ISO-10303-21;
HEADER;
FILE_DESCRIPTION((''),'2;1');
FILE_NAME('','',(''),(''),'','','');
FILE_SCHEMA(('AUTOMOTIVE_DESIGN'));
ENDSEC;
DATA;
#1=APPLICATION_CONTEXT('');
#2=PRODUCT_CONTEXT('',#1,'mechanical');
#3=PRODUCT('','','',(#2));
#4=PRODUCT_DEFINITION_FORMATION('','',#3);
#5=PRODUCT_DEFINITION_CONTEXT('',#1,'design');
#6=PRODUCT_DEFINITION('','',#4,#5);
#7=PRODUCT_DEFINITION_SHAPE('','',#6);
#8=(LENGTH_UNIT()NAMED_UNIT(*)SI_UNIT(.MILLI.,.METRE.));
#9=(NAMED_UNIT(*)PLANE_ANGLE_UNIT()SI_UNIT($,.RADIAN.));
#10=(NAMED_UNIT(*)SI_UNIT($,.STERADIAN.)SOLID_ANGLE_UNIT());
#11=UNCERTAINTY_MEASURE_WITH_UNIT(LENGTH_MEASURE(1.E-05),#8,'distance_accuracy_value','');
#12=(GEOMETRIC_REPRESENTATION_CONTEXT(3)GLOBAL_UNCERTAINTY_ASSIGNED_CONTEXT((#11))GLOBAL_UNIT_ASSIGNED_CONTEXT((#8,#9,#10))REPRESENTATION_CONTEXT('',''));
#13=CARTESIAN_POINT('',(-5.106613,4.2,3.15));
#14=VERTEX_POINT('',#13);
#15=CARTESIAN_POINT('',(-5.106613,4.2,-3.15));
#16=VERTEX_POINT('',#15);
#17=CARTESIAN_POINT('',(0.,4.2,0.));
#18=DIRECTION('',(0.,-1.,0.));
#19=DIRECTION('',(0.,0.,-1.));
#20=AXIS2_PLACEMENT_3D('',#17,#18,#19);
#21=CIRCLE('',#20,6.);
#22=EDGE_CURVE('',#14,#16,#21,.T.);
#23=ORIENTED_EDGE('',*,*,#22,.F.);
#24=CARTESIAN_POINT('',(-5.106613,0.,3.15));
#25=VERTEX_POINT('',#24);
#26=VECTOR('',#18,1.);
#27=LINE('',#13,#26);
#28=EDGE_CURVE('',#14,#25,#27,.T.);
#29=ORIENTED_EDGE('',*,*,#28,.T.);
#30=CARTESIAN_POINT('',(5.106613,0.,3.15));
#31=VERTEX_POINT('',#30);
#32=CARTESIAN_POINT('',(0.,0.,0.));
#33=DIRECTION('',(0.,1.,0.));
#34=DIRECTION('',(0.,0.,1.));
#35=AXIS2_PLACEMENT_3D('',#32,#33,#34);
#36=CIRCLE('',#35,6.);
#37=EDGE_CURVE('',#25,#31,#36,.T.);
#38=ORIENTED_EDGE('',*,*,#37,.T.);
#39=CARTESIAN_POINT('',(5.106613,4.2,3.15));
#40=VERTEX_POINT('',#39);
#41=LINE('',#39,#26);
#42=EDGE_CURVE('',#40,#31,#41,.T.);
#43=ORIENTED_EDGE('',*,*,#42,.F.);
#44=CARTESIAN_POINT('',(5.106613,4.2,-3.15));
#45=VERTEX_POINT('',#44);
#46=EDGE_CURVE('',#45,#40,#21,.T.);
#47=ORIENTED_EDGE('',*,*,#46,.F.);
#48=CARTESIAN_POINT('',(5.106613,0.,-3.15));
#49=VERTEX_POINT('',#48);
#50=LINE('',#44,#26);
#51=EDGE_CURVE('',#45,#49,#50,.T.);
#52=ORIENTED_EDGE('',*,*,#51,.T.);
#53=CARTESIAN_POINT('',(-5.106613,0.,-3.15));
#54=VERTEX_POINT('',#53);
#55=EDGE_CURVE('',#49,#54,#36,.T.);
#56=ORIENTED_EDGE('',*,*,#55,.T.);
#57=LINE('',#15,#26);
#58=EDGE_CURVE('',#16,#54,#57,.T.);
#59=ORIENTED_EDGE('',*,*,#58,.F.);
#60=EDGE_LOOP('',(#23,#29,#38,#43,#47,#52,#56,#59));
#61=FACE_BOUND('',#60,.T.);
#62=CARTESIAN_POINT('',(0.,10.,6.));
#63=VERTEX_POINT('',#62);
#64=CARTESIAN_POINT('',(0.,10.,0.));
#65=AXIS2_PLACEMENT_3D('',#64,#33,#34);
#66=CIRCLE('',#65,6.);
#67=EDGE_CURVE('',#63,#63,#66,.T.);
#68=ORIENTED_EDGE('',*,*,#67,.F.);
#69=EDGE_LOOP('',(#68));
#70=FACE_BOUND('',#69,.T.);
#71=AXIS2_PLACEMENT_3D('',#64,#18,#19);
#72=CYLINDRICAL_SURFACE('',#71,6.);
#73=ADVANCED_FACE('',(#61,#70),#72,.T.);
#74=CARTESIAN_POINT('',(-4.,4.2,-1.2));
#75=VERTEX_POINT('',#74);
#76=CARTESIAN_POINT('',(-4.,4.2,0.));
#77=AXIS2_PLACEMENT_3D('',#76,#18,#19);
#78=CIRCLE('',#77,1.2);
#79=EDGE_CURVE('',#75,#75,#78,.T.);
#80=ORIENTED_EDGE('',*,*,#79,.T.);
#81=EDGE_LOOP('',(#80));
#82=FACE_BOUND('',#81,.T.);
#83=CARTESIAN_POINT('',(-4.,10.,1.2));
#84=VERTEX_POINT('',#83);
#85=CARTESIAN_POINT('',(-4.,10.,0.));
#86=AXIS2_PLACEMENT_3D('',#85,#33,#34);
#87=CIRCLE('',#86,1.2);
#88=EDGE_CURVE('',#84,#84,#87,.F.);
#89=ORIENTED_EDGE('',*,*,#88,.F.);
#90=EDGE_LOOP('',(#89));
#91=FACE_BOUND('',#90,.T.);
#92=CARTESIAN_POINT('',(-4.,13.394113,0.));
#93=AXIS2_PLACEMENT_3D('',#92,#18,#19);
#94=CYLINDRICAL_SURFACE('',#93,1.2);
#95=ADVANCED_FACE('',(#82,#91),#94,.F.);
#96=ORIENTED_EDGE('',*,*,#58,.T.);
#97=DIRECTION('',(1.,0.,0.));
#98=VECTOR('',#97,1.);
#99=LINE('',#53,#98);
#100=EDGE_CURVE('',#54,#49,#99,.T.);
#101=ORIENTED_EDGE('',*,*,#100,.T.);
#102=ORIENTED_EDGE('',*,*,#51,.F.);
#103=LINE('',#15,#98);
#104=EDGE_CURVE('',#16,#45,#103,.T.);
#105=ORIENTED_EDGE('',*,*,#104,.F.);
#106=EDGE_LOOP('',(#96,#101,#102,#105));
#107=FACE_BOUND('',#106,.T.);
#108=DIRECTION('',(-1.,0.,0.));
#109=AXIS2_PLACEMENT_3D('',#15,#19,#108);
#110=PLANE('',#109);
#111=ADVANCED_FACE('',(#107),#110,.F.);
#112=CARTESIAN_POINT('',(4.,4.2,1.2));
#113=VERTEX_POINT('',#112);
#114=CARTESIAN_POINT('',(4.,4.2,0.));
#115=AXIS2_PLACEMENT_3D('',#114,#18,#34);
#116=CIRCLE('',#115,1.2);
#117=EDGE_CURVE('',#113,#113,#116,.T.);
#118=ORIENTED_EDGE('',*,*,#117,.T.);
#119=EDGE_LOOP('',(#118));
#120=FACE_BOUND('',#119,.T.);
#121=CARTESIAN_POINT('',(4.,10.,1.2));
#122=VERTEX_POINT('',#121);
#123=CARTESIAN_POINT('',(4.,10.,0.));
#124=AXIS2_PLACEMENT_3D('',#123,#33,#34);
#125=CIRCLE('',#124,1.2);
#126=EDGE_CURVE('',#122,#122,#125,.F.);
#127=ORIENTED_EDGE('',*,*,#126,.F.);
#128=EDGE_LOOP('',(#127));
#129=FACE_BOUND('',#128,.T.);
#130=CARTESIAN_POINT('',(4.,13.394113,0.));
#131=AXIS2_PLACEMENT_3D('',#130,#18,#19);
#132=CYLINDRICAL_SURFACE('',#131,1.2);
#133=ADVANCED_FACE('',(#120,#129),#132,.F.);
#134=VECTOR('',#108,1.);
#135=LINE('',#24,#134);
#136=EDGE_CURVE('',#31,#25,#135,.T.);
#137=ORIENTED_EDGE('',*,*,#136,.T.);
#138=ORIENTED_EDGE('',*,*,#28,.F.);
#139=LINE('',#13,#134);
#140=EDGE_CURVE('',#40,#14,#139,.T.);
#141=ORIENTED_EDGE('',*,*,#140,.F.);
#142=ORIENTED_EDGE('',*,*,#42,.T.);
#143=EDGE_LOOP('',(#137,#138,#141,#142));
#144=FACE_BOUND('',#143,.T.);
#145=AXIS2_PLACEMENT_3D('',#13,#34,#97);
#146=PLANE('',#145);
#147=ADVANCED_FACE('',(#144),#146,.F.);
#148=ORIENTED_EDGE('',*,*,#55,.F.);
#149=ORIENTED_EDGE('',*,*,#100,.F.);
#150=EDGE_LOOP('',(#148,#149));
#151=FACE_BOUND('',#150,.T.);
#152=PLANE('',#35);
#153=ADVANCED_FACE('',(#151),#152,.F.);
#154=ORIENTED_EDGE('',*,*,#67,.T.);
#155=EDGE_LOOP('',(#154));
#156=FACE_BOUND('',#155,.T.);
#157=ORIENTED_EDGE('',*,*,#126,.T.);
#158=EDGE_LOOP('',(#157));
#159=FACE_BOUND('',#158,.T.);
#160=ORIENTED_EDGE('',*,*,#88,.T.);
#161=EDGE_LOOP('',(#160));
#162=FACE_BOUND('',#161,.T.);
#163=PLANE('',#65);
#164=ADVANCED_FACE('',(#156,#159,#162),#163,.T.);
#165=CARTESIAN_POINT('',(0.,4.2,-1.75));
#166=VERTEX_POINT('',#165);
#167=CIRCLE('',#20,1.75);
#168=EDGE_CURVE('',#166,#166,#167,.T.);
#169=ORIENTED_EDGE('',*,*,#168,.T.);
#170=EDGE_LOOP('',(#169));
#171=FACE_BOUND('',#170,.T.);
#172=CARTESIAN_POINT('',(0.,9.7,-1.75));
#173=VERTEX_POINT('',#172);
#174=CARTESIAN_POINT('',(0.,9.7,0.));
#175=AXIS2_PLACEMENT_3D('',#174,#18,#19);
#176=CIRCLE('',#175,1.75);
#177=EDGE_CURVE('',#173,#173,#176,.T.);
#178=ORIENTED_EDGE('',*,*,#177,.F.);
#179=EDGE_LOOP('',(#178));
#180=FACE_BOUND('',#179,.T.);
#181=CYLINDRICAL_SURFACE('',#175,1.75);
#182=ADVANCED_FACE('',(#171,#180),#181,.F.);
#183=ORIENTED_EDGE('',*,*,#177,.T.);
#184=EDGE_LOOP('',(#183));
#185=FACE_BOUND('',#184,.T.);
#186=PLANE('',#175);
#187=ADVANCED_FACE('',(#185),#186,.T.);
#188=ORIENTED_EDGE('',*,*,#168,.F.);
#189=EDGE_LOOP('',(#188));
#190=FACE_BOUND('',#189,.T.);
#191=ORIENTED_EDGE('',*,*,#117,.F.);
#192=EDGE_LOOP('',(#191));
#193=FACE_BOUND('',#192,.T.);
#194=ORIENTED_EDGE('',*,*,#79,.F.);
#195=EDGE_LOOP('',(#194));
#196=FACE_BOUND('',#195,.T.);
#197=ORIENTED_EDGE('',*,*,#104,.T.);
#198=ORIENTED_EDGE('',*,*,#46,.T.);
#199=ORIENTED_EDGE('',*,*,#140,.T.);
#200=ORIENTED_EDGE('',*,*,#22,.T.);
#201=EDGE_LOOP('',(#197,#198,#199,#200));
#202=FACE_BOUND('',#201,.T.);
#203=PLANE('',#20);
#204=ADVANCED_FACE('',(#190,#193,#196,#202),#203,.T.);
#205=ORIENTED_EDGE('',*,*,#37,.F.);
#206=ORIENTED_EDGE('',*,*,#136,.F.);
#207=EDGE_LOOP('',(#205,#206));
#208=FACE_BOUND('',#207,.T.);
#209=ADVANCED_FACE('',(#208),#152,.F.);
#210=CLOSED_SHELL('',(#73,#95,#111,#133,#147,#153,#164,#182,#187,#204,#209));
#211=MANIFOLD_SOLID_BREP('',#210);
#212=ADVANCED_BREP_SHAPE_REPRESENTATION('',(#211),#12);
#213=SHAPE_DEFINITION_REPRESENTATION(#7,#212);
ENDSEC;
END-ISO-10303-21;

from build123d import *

# Parameters (mm, degrees)
SKETCH_1_R          = 6
EXTRUDE_1_DEPTH     = 10
CUT_EXTRUDE_1_DEPTH = 4.2
SKETCH_3_R          = 1.75
CUT_EXTRUDE_2_DEPTH = 5.5
SKETCH_4_R          = 1.2
CUT_EXTRUDE_3_DEPTH = 5.8


with BuildPart() as part:
    # Эскиз1 → Бобышка-Вытянуть1 (new body)
    with BuildSketch(Plane(origin=(0, 0, 0), x_dir=(1, 0, 0), z_dir=(0, 1, 0))):
        with Locations(Location((0, 0, 0), (0, 0, 270))):
            Circle(SKETCH_1_R)
    extrude(amount=EXTRUDE_1_DEPTH)

    # Эскиз2 → Вырез-Вытянуть1 (cut)
    with BuildSketch(Plane.XZ):
        with BuildLine():
            Line((-5.106613359, 3.15), (5.106613359, 3.15))
            ThreePointArc((5.106613359, 3.15), (6, 0), (5.106613359, -3.15))
            Line((5.106613359, -3.15), (-5.106613359, -3.15))
            ThreePointArc((-5.106613359, -3.15), (-6, 0), (-5.106613359, 3.15))
        make_face()
    extrude(amount=-CUT_EXTRUDE_1_DEPTH, mode=Mode.SUBTRACT)

    # Эскиз3 → Вырез-Вытянуть2 (cut)
    with BuildSketch(Plane.XZ.offset(-4.2)):
        with Locations(Location((0, 0, 0), (0, 0, 270))):
            Circle(SKETCH_3_R)
    extrude(amount=-CUT_EXTRUDE_2_DEPTH, mode=Mode.SUBTRACT)

    # Эскиз4 → Вырез-Вытянуть3 (cut)
    with BuildSketch(Plane.XZ.offset(-4.2)):
        with Locations(Location((-4, 0, 0), (0, 0, 270))):
            Circle(SKETCH_4_R)
        with Locations(Location((4, 0, 0), (0, 0, 90))):
            Circle(SKETCH_4_R)
    extrude(amount=-CUT_EXTRUDE_3_DEPTH, mode=Mode.SUBTRACT)


solid = part.part
